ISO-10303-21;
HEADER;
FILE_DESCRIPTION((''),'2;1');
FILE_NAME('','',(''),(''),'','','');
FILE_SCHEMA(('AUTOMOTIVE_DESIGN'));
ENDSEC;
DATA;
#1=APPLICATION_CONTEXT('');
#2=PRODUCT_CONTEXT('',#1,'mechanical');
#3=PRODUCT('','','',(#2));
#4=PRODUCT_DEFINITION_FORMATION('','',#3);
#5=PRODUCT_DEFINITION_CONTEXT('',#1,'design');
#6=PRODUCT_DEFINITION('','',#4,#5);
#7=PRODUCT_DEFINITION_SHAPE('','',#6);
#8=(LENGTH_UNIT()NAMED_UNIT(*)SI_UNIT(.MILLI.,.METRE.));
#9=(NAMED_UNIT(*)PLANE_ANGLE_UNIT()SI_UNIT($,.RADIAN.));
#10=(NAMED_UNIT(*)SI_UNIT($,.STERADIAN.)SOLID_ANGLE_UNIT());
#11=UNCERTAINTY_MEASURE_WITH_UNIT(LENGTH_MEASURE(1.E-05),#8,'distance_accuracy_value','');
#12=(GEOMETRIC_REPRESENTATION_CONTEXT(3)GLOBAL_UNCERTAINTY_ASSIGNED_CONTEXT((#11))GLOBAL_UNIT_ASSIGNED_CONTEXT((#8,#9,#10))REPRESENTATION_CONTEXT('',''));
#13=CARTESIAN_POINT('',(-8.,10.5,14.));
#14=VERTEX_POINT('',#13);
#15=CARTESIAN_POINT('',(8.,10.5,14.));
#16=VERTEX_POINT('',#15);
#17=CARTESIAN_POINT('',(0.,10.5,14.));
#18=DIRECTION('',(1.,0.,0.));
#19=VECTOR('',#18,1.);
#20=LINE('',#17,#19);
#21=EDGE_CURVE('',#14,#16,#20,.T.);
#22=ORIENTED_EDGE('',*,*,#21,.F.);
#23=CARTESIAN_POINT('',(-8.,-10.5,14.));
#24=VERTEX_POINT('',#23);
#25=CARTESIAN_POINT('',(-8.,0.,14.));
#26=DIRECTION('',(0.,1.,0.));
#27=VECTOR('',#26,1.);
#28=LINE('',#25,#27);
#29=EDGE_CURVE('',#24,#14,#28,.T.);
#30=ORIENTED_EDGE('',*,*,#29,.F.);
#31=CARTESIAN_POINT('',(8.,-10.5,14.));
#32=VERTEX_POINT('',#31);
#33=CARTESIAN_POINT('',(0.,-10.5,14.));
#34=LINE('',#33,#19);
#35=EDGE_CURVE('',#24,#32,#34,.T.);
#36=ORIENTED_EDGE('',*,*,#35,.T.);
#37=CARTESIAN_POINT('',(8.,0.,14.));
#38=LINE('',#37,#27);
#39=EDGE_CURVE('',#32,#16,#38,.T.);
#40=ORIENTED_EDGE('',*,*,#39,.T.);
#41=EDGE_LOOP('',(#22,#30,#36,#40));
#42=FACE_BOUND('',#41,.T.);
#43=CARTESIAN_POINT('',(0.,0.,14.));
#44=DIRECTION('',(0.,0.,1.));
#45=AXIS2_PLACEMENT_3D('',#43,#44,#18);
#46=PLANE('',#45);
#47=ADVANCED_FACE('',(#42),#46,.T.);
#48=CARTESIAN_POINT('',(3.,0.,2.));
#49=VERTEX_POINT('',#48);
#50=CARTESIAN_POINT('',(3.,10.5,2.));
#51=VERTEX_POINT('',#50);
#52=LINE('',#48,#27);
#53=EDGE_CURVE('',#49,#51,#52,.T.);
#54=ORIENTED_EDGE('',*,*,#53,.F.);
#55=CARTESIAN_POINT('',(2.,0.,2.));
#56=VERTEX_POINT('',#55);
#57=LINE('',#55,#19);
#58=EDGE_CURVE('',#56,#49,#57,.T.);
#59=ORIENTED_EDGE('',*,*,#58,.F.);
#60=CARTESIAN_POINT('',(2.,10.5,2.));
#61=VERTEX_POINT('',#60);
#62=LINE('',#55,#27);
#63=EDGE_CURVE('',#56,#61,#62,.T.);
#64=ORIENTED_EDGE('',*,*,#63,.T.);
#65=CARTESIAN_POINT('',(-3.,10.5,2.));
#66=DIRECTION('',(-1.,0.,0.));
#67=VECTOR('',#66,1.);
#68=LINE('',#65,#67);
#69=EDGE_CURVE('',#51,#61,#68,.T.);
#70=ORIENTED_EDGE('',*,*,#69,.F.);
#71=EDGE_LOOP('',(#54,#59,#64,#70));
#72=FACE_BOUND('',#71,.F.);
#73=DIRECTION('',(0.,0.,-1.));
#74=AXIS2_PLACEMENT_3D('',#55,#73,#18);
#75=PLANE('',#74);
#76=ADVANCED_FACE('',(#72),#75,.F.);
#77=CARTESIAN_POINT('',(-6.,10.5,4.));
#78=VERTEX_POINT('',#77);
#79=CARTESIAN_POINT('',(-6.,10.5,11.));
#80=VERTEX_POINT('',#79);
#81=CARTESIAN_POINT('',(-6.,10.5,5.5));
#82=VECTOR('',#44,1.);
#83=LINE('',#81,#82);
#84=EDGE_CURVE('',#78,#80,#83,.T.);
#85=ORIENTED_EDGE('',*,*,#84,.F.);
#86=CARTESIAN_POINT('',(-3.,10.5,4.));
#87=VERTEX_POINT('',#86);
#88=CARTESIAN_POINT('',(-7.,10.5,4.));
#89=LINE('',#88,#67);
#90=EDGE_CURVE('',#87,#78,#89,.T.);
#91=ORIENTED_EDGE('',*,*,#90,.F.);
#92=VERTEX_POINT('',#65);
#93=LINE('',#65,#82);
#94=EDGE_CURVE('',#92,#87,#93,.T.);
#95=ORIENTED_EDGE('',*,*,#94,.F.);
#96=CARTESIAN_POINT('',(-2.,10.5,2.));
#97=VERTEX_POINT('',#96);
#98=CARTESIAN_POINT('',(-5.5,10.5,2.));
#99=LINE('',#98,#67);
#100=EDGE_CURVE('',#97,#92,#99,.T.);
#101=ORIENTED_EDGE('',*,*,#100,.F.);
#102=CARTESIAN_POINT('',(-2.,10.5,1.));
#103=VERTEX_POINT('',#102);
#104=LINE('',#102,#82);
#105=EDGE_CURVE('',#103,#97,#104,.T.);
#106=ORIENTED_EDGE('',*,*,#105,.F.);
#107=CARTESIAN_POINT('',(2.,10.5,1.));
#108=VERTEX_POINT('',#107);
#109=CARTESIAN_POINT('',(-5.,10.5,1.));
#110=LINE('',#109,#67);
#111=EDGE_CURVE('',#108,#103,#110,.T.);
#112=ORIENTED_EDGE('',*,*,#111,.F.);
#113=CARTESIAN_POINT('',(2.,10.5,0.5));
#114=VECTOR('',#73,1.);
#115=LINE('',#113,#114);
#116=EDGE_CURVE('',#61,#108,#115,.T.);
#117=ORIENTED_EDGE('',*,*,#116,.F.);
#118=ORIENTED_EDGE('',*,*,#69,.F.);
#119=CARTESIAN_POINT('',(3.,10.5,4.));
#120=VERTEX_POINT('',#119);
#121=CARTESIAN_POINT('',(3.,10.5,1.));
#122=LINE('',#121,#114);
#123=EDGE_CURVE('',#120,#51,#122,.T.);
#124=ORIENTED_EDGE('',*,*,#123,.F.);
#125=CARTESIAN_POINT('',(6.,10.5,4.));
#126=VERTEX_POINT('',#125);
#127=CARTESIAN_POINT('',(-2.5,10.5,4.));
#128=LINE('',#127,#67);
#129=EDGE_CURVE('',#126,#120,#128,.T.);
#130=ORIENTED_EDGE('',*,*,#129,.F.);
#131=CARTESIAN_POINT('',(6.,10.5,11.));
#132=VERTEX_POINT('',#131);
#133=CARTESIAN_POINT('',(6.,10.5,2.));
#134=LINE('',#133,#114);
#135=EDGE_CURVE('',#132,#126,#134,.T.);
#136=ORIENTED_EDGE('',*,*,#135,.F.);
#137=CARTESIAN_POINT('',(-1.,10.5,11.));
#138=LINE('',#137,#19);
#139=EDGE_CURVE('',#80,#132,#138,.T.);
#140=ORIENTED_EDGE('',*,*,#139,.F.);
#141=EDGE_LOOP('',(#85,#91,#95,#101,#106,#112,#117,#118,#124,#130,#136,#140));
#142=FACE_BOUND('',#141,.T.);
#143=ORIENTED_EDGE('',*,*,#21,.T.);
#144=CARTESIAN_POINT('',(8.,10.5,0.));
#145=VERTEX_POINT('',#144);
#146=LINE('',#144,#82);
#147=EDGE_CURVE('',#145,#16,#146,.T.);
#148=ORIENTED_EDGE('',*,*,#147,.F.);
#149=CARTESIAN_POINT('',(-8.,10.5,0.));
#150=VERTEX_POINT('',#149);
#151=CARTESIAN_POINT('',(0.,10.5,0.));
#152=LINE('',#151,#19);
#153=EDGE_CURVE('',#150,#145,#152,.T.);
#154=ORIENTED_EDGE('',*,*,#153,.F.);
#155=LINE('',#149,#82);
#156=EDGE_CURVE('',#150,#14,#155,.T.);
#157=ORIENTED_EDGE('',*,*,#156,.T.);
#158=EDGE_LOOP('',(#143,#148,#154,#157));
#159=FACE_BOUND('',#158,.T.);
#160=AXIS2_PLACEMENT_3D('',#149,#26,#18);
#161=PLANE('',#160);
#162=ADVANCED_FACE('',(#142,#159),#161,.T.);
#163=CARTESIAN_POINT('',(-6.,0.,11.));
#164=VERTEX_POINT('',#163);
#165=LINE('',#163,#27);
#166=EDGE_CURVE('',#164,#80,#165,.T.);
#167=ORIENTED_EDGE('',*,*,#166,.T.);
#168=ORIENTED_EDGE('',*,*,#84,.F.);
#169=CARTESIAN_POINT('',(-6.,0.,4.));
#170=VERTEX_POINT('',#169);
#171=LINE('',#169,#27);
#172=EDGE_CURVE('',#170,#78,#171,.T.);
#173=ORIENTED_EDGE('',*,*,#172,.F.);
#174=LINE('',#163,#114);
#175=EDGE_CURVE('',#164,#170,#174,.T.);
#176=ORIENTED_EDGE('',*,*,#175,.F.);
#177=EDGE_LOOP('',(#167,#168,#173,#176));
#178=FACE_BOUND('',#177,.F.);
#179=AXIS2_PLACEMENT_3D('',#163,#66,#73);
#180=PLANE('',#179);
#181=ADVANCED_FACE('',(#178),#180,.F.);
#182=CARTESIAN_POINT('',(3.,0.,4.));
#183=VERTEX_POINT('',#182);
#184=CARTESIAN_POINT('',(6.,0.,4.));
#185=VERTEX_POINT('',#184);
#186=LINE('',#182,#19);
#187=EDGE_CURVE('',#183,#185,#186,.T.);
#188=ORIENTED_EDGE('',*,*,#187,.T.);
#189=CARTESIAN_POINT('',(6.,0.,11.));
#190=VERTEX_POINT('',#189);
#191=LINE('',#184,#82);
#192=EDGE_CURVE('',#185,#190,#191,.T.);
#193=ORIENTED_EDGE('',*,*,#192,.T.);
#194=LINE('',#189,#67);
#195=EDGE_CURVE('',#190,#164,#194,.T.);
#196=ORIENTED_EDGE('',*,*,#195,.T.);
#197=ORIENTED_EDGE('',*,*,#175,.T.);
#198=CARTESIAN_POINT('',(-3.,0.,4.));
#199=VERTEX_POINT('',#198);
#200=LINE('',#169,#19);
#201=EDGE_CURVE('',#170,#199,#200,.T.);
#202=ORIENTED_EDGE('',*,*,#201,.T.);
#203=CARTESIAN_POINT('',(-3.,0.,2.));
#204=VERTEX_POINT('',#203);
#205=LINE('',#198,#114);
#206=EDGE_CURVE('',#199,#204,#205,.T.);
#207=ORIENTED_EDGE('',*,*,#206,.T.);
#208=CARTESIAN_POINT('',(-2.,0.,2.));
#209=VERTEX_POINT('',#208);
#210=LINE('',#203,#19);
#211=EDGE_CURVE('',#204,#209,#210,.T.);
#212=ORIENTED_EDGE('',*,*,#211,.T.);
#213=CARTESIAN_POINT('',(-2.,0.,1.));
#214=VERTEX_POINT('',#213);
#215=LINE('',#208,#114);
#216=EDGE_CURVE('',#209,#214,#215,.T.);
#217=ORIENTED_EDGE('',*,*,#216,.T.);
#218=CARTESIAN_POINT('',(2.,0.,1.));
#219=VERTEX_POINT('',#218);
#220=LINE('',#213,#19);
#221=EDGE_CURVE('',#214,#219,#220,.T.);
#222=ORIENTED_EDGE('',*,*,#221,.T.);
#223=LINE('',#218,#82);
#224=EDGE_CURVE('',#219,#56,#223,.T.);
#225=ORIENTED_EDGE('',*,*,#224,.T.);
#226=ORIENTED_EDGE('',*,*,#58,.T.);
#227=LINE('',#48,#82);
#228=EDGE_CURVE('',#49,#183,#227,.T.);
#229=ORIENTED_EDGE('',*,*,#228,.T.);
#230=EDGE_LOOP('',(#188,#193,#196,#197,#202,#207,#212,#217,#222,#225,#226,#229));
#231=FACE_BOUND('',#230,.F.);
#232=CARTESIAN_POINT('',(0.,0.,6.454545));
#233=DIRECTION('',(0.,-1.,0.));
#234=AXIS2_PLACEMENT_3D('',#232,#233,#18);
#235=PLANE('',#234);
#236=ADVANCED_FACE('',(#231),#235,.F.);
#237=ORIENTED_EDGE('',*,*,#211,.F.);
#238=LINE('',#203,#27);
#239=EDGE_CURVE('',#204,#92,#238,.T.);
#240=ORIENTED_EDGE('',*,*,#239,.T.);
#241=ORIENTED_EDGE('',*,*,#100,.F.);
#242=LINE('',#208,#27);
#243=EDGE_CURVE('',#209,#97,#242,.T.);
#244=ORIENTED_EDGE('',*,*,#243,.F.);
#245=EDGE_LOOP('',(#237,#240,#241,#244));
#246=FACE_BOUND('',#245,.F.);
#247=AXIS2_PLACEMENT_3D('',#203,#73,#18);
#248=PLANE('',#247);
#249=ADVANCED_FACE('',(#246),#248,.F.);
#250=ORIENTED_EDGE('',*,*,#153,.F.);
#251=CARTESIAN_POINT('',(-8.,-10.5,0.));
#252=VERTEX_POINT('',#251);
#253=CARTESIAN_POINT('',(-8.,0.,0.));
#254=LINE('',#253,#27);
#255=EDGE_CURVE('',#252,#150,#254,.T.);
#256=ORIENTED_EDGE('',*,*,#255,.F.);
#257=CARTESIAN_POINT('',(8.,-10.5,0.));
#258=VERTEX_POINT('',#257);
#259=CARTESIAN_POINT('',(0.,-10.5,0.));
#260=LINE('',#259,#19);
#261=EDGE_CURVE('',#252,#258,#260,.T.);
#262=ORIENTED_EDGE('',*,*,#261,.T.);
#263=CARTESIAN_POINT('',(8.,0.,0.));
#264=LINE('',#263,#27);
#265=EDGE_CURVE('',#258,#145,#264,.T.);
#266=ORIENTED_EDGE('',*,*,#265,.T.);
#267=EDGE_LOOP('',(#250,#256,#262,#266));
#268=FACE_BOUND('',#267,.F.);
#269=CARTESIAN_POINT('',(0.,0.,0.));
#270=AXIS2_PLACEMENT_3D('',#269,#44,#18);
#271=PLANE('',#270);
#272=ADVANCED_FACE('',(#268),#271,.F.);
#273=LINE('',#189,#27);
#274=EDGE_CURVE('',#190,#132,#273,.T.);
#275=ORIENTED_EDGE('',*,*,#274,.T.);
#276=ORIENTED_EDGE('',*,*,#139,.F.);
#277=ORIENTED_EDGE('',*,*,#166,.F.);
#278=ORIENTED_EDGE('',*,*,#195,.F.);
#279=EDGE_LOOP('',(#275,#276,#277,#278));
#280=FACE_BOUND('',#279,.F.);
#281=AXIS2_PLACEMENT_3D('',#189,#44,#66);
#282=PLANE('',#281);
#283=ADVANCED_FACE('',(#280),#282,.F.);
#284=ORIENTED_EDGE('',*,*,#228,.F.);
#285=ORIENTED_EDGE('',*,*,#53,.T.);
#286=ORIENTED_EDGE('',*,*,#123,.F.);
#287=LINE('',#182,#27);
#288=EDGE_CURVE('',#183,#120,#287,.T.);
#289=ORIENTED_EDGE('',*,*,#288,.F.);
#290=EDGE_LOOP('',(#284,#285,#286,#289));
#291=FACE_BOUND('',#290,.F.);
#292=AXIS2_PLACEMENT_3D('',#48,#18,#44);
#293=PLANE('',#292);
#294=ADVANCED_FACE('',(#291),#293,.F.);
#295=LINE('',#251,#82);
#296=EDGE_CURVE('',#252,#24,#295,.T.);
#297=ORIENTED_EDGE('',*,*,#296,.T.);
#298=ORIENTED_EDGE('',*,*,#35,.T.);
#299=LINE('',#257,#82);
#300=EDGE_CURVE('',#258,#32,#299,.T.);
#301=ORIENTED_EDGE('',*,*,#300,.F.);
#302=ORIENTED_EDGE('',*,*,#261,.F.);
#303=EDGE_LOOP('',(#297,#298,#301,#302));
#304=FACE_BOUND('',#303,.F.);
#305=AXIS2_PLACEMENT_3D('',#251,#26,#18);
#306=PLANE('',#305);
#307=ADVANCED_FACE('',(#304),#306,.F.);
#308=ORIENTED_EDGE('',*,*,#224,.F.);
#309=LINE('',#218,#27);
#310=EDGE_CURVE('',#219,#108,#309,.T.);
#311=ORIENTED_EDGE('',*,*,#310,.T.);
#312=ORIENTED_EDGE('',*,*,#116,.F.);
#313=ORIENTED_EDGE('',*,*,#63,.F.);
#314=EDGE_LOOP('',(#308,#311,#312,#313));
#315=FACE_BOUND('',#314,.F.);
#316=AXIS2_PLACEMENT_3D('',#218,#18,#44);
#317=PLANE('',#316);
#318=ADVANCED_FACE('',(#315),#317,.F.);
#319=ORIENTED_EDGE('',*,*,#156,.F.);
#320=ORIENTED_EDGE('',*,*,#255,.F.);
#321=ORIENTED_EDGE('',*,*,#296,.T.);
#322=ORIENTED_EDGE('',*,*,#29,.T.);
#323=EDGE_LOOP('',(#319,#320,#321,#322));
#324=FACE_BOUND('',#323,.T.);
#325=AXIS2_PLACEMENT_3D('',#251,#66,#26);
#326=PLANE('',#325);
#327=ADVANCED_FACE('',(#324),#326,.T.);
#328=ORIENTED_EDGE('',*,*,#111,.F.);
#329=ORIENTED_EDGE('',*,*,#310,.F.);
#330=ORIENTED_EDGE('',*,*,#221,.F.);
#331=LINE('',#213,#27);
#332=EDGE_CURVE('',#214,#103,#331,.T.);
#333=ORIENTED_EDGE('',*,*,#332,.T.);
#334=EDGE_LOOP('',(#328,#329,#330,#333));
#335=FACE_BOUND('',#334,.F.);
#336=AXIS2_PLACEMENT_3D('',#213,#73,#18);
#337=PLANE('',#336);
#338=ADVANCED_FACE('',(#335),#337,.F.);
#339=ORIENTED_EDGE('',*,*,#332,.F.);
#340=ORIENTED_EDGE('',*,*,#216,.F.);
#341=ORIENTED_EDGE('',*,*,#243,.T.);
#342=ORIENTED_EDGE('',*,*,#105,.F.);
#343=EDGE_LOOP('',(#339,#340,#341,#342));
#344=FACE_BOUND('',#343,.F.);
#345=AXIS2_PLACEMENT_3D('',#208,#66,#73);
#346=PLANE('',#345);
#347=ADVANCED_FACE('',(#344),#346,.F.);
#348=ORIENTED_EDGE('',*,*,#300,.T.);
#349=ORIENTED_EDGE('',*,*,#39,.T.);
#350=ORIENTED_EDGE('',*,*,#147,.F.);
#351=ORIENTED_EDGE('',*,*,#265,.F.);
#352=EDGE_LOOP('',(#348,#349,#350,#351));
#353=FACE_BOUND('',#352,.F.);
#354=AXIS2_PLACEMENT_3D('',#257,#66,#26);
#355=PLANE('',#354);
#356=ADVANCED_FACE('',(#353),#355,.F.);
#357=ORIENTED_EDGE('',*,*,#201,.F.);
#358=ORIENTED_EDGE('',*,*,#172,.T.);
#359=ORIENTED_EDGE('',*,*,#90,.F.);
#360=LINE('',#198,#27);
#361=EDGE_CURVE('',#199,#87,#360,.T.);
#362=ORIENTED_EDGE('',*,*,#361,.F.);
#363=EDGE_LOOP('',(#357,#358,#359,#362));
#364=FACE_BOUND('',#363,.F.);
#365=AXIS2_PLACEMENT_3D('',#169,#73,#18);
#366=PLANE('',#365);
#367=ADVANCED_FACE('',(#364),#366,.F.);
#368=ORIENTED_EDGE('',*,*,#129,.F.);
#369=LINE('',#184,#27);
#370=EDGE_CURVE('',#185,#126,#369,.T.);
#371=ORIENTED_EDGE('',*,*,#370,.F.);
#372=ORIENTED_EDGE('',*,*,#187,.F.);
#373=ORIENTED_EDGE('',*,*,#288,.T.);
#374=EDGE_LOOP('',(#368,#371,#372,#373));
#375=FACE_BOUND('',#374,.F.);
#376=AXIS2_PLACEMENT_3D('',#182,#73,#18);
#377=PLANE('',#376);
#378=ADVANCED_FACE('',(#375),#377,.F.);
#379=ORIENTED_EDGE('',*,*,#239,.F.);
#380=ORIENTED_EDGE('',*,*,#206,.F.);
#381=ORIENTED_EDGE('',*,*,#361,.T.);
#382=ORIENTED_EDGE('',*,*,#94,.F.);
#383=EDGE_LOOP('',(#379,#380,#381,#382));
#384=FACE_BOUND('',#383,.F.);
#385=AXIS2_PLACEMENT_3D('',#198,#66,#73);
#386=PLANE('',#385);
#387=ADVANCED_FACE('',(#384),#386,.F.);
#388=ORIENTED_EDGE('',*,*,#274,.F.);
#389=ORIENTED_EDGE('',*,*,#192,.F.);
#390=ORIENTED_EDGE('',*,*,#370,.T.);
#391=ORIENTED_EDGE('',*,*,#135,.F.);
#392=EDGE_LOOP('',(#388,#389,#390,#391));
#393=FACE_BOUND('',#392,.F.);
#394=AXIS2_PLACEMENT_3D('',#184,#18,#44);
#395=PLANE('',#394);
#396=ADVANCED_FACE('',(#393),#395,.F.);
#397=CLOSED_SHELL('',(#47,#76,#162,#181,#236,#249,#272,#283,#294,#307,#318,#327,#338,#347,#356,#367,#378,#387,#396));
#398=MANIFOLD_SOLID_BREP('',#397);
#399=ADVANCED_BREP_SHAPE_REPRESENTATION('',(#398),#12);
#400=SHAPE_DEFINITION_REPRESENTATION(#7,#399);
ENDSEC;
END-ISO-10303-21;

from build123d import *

# Parameters (mm, degrees)
F0_W     = 16
F0_H     = 21
F1_DEPTH = 14
F3_DEPTH = 11


with BuildPart() as f1:
    # F0 (on Top) → F1 (new body)
    with BuildSketch(Plane.XY):
        Rectangle(F0_W, F0_H)
    extrude(amount=F1_DEPTH)

    # F2 (on Front) → F3 (cut)
    with BuildSketch(Plane.XZ):
        Polygon((-2, 2), (-2, 1), (2, 1), (2, 2), (3, 2), (3, 4), (6, 4), (6, 11), (-6, 11), (-6, 4), (-3, 4), (-3, 2), align=None)
    extrude(amount=-F3_DEPTH, mode=Mode.SUBTRACT)


solid = f1.part
